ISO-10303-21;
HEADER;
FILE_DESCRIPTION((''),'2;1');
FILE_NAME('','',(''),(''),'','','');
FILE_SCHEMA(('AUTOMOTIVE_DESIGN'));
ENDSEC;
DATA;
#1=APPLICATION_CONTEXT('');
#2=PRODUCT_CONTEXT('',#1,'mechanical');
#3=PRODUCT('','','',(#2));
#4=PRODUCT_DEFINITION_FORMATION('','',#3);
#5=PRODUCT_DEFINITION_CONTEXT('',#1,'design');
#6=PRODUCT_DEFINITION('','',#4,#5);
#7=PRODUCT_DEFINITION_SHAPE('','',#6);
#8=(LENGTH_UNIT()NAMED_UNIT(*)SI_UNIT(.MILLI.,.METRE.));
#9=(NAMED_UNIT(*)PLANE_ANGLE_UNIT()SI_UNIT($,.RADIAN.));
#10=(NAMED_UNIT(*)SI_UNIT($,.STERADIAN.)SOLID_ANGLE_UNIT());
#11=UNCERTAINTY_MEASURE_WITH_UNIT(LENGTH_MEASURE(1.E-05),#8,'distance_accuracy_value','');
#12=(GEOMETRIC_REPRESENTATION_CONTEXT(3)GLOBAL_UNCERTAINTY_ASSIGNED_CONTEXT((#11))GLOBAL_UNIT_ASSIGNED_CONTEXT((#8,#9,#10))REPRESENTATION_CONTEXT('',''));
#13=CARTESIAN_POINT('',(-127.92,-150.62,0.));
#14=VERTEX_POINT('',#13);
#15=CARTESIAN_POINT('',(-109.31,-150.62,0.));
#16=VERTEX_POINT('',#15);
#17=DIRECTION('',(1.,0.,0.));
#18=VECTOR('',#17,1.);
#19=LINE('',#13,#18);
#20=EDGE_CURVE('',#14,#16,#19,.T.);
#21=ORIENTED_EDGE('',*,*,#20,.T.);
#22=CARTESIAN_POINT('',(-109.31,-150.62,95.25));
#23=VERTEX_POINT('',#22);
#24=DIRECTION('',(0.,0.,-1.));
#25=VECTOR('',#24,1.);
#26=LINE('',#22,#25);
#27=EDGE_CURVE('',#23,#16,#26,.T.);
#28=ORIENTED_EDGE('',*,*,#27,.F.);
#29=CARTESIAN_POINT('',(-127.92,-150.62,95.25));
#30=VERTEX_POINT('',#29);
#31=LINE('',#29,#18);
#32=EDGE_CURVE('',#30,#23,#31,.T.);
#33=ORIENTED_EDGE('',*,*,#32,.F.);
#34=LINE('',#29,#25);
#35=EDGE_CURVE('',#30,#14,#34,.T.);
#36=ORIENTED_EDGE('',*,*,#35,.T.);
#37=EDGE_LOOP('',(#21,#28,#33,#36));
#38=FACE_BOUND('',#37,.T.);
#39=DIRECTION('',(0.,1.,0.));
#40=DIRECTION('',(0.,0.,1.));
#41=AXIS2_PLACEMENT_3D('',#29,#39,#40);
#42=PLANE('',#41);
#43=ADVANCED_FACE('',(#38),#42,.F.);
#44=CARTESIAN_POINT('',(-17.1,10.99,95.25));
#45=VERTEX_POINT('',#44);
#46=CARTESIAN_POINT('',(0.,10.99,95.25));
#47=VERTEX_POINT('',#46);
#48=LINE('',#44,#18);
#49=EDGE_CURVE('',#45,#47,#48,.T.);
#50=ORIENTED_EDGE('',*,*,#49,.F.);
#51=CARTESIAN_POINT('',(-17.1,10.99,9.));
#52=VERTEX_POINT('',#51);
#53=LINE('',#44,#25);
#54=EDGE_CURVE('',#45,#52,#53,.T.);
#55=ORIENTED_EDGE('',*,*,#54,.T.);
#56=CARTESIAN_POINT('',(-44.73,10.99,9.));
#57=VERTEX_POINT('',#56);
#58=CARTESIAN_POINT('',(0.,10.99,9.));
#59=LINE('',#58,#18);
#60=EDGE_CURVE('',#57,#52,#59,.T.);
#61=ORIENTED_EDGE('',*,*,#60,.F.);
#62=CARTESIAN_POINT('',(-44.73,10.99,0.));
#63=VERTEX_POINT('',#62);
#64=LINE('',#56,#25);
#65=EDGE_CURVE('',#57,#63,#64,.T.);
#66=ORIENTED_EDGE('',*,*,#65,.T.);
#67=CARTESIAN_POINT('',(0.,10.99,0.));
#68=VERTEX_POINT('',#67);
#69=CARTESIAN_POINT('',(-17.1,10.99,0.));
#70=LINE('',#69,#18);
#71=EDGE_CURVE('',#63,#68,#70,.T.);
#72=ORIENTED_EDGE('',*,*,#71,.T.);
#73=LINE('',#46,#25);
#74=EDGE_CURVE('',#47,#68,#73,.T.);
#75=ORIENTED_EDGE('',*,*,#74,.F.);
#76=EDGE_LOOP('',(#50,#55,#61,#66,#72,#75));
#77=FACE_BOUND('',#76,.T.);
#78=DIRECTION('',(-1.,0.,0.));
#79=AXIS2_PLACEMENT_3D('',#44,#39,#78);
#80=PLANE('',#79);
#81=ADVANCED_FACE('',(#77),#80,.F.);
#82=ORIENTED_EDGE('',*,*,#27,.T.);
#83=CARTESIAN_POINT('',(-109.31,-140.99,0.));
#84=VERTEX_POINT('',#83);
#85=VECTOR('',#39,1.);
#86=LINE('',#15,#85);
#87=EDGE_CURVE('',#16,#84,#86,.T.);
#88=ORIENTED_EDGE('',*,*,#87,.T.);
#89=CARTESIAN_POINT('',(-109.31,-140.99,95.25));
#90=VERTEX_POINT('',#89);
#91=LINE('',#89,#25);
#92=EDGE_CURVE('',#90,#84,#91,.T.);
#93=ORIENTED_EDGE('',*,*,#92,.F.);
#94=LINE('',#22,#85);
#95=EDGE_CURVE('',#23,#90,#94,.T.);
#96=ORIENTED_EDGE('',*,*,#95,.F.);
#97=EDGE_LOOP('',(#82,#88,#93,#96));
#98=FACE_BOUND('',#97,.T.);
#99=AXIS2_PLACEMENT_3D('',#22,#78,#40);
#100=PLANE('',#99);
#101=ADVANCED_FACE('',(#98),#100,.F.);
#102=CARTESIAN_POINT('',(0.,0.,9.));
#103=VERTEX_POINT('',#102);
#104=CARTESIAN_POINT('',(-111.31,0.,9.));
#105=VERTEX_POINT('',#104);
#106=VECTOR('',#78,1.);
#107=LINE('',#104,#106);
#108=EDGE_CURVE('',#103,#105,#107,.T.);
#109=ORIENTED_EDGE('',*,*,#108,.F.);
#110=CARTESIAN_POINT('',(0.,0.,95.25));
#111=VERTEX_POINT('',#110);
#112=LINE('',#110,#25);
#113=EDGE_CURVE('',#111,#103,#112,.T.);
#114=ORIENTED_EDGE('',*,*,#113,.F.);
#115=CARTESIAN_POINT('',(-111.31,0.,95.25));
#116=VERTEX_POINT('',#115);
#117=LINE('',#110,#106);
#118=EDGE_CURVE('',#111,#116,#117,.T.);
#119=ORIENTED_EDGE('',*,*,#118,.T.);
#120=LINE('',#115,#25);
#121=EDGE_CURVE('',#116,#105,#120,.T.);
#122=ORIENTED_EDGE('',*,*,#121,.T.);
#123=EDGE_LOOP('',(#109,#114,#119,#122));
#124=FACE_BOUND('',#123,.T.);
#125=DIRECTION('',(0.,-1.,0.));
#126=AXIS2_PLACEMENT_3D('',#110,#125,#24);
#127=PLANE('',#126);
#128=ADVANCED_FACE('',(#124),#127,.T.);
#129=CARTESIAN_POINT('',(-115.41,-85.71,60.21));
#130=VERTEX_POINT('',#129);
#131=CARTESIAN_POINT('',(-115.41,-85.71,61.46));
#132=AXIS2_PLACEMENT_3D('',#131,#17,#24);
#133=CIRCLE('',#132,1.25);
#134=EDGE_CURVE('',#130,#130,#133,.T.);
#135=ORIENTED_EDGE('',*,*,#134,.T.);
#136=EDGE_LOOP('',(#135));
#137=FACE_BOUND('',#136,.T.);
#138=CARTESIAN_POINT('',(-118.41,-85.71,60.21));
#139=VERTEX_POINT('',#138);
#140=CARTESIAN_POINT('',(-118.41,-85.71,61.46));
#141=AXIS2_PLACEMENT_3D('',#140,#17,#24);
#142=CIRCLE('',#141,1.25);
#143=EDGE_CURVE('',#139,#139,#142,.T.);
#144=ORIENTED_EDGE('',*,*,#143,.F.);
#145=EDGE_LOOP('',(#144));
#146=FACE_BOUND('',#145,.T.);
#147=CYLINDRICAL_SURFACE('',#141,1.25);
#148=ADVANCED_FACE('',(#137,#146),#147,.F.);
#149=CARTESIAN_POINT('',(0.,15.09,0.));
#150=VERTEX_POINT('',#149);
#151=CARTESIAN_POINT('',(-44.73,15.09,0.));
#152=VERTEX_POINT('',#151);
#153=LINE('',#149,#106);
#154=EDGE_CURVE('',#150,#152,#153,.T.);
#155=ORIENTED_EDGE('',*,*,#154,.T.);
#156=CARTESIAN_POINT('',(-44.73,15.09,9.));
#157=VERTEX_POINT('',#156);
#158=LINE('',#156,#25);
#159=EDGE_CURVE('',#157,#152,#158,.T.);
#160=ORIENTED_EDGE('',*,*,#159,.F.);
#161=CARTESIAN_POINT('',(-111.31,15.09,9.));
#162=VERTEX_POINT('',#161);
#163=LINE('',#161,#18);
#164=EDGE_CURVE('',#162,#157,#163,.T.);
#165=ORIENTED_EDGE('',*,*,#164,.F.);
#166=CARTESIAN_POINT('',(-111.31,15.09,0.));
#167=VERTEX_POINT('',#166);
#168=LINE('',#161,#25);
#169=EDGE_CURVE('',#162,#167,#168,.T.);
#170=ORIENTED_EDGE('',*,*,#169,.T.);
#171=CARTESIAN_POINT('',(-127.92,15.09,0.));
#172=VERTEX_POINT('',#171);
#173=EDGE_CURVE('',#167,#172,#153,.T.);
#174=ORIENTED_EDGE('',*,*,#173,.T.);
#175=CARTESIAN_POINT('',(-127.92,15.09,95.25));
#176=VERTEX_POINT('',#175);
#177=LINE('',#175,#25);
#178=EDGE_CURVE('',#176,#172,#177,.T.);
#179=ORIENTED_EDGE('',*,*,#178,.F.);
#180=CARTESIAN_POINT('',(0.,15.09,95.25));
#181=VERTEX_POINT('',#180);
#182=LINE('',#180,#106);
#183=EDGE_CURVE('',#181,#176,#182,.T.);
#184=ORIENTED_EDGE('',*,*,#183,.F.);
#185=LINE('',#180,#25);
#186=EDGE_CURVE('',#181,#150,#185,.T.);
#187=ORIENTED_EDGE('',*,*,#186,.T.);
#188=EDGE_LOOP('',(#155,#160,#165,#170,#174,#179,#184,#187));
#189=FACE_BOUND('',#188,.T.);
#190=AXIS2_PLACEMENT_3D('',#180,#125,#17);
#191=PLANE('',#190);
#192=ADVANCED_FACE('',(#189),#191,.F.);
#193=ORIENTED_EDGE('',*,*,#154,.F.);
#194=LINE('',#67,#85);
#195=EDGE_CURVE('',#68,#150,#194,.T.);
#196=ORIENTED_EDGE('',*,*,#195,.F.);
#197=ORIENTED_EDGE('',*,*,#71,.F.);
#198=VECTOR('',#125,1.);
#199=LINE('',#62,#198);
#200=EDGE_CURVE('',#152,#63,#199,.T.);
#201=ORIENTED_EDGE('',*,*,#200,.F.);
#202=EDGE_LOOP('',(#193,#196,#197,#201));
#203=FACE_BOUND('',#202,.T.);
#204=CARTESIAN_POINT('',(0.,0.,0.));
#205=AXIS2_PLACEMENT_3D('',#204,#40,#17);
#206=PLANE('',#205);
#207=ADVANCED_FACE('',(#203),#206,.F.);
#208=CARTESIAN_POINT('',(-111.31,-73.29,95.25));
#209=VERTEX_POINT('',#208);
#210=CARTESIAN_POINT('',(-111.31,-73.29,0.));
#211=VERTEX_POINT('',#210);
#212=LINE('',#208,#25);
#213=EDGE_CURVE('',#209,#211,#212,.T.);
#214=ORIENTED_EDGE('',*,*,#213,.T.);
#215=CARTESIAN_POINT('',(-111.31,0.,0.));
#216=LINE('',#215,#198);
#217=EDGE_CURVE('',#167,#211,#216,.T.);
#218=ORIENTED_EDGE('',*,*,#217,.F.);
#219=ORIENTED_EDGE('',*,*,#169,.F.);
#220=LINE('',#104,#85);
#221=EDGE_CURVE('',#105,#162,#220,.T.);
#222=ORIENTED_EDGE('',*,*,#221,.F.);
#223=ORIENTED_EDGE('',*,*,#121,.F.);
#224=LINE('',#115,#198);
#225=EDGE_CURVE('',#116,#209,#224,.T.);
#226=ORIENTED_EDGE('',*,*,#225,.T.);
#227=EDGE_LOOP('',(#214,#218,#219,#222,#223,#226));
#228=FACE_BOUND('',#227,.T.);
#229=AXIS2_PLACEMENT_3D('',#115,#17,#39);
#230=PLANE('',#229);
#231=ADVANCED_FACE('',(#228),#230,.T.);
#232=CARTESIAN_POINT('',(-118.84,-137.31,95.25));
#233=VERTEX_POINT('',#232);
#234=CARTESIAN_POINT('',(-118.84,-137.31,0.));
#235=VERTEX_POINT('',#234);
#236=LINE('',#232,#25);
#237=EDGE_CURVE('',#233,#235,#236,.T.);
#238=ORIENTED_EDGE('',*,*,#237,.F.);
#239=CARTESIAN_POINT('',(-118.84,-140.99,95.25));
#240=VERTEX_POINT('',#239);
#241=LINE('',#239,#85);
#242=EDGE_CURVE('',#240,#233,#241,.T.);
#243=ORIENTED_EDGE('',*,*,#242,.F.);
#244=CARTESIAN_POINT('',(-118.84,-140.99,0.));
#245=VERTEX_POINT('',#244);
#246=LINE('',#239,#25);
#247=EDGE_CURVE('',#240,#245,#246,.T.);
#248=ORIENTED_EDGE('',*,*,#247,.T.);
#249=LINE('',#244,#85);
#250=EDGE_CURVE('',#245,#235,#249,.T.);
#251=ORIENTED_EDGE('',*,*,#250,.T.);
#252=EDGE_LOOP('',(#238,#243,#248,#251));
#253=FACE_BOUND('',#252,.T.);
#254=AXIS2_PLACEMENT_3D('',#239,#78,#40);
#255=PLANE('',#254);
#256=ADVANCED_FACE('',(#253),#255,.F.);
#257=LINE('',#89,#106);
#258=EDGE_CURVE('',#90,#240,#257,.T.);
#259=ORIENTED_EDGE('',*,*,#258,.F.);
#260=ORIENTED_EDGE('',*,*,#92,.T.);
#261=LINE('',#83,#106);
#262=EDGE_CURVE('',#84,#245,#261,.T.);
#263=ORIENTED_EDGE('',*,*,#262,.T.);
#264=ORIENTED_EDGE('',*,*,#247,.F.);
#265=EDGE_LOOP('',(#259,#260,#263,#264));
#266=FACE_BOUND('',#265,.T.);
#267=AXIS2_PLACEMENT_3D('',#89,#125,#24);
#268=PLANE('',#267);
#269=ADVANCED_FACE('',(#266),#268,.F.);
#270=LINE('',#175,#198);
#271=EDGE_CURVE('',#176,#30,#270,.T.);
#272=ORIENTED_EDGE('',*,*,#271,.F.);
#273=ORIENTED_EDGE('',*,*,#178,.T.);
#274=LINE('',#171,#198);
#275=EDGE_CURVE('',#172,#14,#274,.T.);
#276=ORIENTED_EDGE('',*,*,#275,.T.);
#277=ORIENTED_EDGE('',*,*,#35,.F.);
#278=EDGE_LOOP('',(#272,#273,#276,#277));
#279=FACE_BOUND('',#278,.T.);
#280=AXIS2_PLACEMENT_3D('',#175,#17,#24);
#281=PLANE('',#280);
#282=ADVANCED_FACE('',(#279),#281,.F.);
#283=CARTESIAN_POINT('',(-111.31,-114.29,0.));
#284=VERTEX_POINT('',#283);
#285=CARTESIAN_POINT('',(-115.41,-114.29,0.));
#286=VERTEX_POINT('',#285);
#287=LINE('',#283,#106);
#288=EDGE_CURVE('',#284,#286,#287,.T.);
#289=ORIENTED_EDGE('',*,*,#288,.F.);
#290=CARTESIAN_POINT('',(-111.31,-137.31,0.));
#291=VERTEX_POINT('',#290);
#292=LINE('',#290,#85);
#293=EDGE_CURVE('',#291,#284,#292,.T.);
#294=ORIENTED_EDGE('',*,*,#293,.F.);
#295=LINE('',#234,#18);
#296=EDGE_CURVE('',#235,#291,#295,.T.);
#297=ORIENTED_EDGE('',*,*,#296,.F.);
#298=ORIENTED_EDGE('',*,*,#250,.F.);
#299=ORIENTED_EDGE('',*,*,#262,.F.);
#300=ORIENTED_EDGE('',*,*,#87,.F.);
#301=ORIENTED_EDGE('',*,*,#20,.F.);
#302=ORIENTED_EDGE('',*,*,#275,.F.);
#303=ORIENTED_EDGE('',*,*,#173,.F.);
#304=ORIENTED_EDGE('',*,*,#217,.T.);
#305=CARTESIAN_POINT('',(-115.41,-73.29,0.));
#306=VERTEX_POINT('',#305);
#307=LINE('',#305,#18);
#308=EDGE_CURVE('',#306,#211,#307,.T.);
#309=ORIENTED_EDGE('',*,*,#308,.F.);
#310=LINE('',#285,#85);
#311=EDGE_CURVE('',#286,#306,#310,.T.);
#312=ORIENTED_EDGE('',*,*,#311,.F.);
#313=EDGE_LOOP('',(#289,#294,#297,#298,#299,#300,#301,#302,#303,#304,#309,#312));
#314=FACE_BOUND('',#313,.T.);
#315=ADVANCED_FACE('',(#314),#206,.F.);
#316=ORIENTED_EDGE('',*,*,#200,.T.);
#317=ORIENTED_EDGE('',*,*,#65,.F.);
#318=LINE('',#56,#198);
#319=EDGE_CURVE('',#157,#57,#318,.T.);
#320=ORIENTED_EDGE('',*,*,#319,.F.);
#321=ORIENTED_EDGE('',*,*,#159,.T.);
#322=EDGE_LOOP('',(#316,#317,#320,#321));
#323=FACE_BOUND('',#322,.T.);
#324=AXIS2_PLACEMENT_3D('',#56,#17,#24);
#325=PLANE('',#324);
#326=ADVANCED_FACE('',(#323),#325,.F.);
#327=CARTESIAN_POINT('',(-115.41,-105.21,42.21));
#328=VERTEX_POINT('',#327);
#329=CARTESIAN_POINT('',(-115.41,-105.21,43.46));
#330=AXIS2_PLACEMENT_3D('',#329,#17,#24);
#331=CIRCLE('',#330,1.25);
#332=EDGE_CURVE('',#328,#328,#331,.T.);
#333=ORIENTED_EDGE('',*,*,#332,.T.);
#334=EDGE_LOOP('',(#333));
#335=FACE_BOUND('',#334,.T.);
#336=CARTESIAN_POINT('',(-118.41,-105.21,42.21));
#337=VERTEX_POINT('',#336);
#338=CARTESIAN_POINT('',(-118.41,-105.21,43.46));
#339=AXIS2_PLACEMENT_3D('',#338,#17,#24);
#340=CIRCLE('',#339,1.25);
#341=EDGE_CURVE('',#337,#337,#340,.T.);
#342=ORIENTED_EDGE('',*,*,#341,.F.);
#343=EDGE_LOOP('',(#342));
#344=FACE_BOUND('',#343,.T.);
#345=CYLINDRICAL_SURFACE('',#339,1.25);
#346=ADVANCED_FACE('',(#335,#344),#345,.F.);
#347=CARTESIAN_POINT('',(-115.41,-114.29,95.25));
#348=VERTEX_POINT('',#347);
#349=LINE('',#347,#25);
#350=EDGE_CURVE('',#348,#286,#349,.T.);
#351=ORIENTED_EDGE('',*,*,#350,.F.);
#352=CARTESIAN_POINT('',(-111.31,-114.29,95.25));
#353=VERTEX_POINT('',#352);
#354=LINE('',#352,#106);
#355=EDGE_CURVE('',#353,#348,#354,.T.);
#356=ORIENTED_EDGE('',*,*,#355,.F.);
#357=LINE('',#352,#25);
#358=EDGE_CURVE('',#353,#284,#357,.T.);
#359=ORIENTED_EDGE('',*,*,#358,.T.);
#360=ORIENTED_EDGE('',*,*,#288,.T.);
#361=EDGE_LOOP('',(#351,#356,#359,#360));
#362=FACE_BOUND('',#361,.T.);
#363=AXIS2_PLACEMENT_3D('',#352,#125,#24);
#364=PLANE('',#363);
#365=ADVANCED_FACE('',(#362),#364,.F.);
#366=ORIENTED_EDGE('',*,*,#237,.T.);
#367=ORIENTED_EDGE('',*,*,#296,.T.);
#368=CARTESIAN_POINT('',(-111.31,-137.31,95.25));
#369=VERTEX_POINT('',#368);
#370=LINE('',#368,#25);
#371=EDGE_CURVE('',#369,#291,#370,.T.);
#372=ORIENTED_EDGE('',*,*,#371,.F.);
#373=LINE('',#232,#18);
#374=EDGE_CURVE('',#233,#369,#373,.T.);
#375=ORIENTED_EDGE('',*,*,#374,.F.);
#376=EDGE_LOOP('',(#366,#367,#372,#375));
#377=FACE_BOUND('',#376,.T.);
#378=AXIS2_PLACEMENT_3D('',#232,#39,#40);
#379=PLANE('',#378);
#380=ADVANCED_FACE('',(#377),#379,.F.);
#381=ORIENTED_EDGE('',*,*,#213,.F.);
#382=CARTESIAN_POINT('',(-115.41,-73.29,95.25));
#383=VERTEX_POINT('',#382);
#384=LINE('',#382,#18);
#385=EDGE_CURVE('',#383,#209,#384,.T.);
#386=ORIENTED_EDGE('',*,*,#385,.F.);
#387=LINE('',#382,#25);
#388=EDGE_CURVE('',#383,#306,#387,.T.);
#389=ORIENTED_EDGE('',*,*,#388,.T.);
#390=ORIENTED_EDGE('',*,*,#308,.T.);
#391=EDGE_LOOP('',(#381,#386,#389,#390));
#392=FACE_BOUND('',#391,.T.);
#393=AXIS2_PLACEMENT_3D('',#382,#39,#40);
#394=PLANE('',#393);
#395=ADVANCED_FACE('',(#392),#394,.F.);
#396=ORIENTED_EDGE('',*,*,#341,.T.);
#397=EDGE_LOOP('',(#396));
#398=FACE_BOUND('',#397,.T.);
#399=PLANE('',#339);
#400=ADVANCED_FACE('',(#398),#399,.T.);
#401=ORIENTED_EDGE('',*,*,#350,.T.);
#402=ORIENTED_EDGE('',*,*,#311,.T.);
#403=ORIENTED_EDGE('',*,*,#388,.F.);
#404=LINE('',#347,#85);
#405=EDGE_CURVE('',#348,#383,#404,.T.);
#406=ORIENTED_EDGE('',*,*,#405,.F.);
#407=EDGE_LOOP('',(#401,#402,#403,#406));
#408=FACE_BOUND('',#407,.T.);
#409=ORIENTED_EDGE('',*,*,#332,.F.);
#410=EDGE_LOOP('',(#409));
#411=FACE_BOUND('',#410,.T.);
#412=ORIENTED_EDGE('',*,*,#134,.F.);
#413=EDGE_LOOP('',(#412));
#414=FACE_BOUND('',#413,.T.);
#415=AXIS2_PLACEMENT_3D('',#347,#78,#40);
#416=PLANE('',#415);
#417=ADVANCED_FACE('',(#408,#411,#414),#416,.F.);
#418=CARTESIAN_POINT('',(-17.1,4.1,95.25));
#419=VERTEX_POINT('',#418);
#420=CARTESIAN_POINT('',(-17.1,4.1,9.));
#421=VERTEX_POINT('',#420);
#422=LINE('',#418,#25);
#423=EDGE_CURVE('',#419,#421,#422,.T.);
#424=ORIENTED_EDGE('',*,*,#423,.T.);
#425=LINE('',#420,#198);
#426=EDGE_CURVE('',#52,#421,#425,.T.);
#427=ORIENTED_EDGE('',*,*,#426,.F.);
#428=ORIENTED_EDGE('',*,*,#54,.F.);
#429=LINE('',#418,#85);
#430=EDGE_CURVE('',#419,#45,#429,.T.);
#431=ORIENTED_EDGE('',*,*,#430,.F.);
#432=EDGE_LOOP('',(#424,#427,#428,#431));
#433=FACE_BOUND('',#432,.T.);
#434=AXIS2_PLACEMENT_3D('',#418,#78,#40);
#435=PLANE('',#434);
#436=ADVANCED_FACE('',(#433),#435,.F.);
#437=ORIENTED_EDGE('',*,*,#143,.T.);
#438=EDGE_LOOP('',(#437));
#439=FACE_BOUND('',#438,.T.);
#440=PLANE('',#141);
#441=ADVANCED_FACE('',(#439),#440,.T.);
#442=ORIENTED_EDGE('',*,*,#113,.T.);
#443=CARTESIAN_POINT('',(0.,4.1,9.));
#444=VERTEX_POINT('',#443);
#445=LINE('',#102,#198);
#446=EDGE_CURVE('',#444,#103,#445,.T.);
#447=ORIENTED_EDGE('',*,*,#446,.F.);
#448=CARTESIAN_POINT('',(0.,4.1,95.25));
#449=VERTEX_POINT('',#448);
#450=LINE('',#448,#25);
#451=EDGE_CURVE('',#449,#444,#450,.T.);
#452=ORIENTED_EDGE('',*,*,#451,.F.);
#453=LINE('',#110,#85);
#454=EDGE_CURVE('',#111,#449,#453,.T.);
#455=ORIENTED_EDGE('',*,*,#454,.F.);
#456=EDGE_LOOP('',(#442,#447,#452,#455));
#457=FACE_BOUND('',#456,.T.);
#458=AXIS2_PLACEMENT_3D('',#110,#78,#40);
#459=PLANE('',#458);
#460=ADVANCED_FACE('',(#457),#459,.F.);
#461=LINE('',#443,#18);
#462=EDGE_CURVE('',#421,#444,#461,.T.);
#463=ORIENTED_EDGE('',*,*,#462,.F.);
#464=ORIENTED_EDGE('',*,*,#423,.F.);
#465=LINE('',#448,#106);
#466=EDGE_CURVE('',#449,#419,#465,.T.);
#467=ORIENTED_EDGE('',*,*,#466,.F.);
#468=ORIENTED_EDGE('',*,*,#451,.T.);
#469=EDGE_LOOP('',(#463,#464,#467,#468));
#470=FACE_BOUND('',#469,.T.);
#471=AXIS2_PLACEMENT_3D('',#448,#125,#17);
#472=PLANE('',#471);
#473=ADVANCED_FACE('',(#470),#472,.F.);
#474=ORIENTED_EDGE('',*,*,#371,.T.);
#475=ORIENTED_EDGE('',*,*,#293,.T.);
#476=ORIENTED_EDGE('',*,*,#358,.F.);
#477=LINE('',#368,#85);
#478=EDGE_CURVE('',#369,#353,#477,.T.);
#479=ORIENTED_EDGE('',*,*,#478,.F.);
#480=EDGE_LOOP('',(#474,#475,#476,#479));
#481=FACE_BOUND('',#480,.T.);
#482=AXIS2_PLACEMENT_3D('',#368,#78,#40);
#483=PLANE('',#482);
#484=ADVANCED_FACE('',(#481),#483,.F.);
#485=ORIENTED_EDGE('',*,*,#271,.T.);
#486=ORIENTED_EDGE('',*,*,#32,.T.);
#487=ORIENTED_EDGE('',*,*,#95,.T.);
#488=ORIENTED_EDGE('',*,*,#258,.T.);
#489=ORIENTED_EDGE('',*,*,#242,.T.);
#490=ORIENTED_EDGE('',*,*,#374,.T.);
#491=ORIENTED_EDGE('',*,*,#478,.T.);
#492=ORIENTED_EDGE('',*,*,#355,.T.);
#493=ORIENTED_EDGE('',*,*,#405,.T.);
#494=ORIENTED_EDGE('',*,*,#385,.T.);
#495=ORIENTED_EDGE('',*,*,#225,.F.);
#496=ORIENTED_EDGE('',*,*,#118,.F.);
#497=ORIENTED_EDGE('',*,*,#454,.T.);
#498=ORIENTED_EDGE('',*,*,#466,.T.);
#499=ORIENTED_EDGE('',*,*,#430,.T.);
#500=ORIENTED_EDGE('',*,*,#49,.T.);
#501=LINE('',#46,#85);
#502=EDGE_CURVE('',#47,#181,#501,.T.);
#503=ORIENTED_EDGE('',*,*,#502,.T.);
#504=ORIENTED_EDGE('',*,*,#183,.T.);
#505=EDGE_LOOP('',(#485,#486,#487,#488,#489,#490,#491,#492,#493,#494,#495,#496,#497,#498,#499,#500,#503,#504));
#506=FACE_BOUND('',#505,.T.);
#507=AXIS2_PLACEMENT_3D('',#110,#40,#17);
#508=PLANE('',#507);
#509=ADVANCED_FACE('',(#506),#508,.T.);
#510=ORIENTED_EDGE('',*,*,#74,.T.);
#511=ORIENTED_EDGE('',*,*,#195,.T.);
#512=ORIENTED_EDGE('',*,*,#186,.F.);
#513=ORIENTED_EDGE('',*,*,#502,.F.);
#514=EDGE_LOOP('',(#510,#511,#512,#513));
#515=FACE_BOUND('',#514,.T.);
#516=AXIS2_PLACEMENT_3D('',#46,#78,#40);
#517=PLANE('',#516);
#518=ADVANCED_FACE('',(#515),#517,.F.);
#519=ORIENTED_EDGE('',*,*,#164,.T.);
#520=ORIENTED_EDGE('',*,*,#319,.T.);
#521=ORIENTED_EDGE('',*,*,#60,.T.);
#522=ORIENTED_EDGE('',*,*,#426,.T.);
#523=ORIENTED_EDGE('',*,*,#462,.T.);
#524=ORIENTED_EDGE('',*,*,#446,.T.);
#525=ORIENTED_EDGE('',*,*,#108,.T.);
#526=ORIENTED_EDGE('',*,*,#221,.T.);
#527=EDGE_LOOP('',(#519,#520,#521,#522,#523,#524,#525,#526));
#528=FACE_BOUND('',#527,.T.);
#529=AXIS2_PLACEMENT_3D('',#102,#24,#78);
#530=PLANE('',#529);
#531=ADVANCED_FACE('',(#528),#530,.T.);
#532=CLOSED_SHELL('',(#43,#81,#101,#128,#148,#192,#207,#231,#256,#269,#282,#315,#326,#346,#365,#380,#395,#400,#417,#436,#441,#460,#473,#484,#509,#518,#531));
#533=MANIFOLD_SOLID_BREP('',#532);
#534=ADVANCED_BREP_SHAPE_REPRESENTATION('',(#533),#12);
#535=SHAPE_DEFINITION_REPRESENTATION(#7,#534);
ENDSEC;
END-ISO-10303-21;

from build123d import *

# Parameters (mm, degrees)
BOSS_EXTRUDE1_DEPTH = 95.25
CUT_EXTRUDE1_DEPTH  = 9
SKETCH5_R           = 1.25
CUT_EXTRUDE2_DEPTH  = 3


with BuildPart() as part:
    # Sketch1 → Boss-Extrude1 (new body)
    with BuildSketch(Plane.XY):
        Polygon((0, 0), (-111.31, 0), (-111.31, -73.29), (-115.41, -73.29), (-115.41, -114.29), (-111.31, -114.29), (-111.31, -137.31), (-118.84, -137.31), (-118.84, -140.99), (-109.31, -140.99), (-109.31, -150.62), (-127.92, -150.62), (-127.92, 15.09), (0, 15.09), (0, 10.99), (-17.1, 10.99), (-17.1, 4.1), (0, 4.1), align=None)
    extrude(amount=BOSS_EXTRUDE1_DEPTH)

    # Sketch4 → Cut-Extrude1 (cut)
    with BuildSketch(Plane(origin=(0, 0, 0), x_dir=(-1, 0, 0), z_dir=(0, 0, -1))):
        Polygon((111.31, 0), (0, 0), (0, 10.99), (44.73, 10.99), (44.73, 15.09), (111.31, 15.09), align=None)
    extrude(amount=-CUT_EXTRUDE1_DEPTH, mode=Mode.SUBTRACT)

    # Sketch5 → Cut-Extrude2 (cut)
    with BuildSketch(Plane(origin=(-115.41, 0, 0), x_dir=(0, 0, -1), z_dir=(1, 0, 0))):
        with Locations((-43.46, -105.21)):
            Circle(SKETCH5_R)
        with Locations((-61.46, -85.71)):
            Circle(SKETCH5_R)
    extrude(amount=-CUT_EXTRUDE2_DEPTH, mode=Mode.SUBTRACT)


solid = part.part
